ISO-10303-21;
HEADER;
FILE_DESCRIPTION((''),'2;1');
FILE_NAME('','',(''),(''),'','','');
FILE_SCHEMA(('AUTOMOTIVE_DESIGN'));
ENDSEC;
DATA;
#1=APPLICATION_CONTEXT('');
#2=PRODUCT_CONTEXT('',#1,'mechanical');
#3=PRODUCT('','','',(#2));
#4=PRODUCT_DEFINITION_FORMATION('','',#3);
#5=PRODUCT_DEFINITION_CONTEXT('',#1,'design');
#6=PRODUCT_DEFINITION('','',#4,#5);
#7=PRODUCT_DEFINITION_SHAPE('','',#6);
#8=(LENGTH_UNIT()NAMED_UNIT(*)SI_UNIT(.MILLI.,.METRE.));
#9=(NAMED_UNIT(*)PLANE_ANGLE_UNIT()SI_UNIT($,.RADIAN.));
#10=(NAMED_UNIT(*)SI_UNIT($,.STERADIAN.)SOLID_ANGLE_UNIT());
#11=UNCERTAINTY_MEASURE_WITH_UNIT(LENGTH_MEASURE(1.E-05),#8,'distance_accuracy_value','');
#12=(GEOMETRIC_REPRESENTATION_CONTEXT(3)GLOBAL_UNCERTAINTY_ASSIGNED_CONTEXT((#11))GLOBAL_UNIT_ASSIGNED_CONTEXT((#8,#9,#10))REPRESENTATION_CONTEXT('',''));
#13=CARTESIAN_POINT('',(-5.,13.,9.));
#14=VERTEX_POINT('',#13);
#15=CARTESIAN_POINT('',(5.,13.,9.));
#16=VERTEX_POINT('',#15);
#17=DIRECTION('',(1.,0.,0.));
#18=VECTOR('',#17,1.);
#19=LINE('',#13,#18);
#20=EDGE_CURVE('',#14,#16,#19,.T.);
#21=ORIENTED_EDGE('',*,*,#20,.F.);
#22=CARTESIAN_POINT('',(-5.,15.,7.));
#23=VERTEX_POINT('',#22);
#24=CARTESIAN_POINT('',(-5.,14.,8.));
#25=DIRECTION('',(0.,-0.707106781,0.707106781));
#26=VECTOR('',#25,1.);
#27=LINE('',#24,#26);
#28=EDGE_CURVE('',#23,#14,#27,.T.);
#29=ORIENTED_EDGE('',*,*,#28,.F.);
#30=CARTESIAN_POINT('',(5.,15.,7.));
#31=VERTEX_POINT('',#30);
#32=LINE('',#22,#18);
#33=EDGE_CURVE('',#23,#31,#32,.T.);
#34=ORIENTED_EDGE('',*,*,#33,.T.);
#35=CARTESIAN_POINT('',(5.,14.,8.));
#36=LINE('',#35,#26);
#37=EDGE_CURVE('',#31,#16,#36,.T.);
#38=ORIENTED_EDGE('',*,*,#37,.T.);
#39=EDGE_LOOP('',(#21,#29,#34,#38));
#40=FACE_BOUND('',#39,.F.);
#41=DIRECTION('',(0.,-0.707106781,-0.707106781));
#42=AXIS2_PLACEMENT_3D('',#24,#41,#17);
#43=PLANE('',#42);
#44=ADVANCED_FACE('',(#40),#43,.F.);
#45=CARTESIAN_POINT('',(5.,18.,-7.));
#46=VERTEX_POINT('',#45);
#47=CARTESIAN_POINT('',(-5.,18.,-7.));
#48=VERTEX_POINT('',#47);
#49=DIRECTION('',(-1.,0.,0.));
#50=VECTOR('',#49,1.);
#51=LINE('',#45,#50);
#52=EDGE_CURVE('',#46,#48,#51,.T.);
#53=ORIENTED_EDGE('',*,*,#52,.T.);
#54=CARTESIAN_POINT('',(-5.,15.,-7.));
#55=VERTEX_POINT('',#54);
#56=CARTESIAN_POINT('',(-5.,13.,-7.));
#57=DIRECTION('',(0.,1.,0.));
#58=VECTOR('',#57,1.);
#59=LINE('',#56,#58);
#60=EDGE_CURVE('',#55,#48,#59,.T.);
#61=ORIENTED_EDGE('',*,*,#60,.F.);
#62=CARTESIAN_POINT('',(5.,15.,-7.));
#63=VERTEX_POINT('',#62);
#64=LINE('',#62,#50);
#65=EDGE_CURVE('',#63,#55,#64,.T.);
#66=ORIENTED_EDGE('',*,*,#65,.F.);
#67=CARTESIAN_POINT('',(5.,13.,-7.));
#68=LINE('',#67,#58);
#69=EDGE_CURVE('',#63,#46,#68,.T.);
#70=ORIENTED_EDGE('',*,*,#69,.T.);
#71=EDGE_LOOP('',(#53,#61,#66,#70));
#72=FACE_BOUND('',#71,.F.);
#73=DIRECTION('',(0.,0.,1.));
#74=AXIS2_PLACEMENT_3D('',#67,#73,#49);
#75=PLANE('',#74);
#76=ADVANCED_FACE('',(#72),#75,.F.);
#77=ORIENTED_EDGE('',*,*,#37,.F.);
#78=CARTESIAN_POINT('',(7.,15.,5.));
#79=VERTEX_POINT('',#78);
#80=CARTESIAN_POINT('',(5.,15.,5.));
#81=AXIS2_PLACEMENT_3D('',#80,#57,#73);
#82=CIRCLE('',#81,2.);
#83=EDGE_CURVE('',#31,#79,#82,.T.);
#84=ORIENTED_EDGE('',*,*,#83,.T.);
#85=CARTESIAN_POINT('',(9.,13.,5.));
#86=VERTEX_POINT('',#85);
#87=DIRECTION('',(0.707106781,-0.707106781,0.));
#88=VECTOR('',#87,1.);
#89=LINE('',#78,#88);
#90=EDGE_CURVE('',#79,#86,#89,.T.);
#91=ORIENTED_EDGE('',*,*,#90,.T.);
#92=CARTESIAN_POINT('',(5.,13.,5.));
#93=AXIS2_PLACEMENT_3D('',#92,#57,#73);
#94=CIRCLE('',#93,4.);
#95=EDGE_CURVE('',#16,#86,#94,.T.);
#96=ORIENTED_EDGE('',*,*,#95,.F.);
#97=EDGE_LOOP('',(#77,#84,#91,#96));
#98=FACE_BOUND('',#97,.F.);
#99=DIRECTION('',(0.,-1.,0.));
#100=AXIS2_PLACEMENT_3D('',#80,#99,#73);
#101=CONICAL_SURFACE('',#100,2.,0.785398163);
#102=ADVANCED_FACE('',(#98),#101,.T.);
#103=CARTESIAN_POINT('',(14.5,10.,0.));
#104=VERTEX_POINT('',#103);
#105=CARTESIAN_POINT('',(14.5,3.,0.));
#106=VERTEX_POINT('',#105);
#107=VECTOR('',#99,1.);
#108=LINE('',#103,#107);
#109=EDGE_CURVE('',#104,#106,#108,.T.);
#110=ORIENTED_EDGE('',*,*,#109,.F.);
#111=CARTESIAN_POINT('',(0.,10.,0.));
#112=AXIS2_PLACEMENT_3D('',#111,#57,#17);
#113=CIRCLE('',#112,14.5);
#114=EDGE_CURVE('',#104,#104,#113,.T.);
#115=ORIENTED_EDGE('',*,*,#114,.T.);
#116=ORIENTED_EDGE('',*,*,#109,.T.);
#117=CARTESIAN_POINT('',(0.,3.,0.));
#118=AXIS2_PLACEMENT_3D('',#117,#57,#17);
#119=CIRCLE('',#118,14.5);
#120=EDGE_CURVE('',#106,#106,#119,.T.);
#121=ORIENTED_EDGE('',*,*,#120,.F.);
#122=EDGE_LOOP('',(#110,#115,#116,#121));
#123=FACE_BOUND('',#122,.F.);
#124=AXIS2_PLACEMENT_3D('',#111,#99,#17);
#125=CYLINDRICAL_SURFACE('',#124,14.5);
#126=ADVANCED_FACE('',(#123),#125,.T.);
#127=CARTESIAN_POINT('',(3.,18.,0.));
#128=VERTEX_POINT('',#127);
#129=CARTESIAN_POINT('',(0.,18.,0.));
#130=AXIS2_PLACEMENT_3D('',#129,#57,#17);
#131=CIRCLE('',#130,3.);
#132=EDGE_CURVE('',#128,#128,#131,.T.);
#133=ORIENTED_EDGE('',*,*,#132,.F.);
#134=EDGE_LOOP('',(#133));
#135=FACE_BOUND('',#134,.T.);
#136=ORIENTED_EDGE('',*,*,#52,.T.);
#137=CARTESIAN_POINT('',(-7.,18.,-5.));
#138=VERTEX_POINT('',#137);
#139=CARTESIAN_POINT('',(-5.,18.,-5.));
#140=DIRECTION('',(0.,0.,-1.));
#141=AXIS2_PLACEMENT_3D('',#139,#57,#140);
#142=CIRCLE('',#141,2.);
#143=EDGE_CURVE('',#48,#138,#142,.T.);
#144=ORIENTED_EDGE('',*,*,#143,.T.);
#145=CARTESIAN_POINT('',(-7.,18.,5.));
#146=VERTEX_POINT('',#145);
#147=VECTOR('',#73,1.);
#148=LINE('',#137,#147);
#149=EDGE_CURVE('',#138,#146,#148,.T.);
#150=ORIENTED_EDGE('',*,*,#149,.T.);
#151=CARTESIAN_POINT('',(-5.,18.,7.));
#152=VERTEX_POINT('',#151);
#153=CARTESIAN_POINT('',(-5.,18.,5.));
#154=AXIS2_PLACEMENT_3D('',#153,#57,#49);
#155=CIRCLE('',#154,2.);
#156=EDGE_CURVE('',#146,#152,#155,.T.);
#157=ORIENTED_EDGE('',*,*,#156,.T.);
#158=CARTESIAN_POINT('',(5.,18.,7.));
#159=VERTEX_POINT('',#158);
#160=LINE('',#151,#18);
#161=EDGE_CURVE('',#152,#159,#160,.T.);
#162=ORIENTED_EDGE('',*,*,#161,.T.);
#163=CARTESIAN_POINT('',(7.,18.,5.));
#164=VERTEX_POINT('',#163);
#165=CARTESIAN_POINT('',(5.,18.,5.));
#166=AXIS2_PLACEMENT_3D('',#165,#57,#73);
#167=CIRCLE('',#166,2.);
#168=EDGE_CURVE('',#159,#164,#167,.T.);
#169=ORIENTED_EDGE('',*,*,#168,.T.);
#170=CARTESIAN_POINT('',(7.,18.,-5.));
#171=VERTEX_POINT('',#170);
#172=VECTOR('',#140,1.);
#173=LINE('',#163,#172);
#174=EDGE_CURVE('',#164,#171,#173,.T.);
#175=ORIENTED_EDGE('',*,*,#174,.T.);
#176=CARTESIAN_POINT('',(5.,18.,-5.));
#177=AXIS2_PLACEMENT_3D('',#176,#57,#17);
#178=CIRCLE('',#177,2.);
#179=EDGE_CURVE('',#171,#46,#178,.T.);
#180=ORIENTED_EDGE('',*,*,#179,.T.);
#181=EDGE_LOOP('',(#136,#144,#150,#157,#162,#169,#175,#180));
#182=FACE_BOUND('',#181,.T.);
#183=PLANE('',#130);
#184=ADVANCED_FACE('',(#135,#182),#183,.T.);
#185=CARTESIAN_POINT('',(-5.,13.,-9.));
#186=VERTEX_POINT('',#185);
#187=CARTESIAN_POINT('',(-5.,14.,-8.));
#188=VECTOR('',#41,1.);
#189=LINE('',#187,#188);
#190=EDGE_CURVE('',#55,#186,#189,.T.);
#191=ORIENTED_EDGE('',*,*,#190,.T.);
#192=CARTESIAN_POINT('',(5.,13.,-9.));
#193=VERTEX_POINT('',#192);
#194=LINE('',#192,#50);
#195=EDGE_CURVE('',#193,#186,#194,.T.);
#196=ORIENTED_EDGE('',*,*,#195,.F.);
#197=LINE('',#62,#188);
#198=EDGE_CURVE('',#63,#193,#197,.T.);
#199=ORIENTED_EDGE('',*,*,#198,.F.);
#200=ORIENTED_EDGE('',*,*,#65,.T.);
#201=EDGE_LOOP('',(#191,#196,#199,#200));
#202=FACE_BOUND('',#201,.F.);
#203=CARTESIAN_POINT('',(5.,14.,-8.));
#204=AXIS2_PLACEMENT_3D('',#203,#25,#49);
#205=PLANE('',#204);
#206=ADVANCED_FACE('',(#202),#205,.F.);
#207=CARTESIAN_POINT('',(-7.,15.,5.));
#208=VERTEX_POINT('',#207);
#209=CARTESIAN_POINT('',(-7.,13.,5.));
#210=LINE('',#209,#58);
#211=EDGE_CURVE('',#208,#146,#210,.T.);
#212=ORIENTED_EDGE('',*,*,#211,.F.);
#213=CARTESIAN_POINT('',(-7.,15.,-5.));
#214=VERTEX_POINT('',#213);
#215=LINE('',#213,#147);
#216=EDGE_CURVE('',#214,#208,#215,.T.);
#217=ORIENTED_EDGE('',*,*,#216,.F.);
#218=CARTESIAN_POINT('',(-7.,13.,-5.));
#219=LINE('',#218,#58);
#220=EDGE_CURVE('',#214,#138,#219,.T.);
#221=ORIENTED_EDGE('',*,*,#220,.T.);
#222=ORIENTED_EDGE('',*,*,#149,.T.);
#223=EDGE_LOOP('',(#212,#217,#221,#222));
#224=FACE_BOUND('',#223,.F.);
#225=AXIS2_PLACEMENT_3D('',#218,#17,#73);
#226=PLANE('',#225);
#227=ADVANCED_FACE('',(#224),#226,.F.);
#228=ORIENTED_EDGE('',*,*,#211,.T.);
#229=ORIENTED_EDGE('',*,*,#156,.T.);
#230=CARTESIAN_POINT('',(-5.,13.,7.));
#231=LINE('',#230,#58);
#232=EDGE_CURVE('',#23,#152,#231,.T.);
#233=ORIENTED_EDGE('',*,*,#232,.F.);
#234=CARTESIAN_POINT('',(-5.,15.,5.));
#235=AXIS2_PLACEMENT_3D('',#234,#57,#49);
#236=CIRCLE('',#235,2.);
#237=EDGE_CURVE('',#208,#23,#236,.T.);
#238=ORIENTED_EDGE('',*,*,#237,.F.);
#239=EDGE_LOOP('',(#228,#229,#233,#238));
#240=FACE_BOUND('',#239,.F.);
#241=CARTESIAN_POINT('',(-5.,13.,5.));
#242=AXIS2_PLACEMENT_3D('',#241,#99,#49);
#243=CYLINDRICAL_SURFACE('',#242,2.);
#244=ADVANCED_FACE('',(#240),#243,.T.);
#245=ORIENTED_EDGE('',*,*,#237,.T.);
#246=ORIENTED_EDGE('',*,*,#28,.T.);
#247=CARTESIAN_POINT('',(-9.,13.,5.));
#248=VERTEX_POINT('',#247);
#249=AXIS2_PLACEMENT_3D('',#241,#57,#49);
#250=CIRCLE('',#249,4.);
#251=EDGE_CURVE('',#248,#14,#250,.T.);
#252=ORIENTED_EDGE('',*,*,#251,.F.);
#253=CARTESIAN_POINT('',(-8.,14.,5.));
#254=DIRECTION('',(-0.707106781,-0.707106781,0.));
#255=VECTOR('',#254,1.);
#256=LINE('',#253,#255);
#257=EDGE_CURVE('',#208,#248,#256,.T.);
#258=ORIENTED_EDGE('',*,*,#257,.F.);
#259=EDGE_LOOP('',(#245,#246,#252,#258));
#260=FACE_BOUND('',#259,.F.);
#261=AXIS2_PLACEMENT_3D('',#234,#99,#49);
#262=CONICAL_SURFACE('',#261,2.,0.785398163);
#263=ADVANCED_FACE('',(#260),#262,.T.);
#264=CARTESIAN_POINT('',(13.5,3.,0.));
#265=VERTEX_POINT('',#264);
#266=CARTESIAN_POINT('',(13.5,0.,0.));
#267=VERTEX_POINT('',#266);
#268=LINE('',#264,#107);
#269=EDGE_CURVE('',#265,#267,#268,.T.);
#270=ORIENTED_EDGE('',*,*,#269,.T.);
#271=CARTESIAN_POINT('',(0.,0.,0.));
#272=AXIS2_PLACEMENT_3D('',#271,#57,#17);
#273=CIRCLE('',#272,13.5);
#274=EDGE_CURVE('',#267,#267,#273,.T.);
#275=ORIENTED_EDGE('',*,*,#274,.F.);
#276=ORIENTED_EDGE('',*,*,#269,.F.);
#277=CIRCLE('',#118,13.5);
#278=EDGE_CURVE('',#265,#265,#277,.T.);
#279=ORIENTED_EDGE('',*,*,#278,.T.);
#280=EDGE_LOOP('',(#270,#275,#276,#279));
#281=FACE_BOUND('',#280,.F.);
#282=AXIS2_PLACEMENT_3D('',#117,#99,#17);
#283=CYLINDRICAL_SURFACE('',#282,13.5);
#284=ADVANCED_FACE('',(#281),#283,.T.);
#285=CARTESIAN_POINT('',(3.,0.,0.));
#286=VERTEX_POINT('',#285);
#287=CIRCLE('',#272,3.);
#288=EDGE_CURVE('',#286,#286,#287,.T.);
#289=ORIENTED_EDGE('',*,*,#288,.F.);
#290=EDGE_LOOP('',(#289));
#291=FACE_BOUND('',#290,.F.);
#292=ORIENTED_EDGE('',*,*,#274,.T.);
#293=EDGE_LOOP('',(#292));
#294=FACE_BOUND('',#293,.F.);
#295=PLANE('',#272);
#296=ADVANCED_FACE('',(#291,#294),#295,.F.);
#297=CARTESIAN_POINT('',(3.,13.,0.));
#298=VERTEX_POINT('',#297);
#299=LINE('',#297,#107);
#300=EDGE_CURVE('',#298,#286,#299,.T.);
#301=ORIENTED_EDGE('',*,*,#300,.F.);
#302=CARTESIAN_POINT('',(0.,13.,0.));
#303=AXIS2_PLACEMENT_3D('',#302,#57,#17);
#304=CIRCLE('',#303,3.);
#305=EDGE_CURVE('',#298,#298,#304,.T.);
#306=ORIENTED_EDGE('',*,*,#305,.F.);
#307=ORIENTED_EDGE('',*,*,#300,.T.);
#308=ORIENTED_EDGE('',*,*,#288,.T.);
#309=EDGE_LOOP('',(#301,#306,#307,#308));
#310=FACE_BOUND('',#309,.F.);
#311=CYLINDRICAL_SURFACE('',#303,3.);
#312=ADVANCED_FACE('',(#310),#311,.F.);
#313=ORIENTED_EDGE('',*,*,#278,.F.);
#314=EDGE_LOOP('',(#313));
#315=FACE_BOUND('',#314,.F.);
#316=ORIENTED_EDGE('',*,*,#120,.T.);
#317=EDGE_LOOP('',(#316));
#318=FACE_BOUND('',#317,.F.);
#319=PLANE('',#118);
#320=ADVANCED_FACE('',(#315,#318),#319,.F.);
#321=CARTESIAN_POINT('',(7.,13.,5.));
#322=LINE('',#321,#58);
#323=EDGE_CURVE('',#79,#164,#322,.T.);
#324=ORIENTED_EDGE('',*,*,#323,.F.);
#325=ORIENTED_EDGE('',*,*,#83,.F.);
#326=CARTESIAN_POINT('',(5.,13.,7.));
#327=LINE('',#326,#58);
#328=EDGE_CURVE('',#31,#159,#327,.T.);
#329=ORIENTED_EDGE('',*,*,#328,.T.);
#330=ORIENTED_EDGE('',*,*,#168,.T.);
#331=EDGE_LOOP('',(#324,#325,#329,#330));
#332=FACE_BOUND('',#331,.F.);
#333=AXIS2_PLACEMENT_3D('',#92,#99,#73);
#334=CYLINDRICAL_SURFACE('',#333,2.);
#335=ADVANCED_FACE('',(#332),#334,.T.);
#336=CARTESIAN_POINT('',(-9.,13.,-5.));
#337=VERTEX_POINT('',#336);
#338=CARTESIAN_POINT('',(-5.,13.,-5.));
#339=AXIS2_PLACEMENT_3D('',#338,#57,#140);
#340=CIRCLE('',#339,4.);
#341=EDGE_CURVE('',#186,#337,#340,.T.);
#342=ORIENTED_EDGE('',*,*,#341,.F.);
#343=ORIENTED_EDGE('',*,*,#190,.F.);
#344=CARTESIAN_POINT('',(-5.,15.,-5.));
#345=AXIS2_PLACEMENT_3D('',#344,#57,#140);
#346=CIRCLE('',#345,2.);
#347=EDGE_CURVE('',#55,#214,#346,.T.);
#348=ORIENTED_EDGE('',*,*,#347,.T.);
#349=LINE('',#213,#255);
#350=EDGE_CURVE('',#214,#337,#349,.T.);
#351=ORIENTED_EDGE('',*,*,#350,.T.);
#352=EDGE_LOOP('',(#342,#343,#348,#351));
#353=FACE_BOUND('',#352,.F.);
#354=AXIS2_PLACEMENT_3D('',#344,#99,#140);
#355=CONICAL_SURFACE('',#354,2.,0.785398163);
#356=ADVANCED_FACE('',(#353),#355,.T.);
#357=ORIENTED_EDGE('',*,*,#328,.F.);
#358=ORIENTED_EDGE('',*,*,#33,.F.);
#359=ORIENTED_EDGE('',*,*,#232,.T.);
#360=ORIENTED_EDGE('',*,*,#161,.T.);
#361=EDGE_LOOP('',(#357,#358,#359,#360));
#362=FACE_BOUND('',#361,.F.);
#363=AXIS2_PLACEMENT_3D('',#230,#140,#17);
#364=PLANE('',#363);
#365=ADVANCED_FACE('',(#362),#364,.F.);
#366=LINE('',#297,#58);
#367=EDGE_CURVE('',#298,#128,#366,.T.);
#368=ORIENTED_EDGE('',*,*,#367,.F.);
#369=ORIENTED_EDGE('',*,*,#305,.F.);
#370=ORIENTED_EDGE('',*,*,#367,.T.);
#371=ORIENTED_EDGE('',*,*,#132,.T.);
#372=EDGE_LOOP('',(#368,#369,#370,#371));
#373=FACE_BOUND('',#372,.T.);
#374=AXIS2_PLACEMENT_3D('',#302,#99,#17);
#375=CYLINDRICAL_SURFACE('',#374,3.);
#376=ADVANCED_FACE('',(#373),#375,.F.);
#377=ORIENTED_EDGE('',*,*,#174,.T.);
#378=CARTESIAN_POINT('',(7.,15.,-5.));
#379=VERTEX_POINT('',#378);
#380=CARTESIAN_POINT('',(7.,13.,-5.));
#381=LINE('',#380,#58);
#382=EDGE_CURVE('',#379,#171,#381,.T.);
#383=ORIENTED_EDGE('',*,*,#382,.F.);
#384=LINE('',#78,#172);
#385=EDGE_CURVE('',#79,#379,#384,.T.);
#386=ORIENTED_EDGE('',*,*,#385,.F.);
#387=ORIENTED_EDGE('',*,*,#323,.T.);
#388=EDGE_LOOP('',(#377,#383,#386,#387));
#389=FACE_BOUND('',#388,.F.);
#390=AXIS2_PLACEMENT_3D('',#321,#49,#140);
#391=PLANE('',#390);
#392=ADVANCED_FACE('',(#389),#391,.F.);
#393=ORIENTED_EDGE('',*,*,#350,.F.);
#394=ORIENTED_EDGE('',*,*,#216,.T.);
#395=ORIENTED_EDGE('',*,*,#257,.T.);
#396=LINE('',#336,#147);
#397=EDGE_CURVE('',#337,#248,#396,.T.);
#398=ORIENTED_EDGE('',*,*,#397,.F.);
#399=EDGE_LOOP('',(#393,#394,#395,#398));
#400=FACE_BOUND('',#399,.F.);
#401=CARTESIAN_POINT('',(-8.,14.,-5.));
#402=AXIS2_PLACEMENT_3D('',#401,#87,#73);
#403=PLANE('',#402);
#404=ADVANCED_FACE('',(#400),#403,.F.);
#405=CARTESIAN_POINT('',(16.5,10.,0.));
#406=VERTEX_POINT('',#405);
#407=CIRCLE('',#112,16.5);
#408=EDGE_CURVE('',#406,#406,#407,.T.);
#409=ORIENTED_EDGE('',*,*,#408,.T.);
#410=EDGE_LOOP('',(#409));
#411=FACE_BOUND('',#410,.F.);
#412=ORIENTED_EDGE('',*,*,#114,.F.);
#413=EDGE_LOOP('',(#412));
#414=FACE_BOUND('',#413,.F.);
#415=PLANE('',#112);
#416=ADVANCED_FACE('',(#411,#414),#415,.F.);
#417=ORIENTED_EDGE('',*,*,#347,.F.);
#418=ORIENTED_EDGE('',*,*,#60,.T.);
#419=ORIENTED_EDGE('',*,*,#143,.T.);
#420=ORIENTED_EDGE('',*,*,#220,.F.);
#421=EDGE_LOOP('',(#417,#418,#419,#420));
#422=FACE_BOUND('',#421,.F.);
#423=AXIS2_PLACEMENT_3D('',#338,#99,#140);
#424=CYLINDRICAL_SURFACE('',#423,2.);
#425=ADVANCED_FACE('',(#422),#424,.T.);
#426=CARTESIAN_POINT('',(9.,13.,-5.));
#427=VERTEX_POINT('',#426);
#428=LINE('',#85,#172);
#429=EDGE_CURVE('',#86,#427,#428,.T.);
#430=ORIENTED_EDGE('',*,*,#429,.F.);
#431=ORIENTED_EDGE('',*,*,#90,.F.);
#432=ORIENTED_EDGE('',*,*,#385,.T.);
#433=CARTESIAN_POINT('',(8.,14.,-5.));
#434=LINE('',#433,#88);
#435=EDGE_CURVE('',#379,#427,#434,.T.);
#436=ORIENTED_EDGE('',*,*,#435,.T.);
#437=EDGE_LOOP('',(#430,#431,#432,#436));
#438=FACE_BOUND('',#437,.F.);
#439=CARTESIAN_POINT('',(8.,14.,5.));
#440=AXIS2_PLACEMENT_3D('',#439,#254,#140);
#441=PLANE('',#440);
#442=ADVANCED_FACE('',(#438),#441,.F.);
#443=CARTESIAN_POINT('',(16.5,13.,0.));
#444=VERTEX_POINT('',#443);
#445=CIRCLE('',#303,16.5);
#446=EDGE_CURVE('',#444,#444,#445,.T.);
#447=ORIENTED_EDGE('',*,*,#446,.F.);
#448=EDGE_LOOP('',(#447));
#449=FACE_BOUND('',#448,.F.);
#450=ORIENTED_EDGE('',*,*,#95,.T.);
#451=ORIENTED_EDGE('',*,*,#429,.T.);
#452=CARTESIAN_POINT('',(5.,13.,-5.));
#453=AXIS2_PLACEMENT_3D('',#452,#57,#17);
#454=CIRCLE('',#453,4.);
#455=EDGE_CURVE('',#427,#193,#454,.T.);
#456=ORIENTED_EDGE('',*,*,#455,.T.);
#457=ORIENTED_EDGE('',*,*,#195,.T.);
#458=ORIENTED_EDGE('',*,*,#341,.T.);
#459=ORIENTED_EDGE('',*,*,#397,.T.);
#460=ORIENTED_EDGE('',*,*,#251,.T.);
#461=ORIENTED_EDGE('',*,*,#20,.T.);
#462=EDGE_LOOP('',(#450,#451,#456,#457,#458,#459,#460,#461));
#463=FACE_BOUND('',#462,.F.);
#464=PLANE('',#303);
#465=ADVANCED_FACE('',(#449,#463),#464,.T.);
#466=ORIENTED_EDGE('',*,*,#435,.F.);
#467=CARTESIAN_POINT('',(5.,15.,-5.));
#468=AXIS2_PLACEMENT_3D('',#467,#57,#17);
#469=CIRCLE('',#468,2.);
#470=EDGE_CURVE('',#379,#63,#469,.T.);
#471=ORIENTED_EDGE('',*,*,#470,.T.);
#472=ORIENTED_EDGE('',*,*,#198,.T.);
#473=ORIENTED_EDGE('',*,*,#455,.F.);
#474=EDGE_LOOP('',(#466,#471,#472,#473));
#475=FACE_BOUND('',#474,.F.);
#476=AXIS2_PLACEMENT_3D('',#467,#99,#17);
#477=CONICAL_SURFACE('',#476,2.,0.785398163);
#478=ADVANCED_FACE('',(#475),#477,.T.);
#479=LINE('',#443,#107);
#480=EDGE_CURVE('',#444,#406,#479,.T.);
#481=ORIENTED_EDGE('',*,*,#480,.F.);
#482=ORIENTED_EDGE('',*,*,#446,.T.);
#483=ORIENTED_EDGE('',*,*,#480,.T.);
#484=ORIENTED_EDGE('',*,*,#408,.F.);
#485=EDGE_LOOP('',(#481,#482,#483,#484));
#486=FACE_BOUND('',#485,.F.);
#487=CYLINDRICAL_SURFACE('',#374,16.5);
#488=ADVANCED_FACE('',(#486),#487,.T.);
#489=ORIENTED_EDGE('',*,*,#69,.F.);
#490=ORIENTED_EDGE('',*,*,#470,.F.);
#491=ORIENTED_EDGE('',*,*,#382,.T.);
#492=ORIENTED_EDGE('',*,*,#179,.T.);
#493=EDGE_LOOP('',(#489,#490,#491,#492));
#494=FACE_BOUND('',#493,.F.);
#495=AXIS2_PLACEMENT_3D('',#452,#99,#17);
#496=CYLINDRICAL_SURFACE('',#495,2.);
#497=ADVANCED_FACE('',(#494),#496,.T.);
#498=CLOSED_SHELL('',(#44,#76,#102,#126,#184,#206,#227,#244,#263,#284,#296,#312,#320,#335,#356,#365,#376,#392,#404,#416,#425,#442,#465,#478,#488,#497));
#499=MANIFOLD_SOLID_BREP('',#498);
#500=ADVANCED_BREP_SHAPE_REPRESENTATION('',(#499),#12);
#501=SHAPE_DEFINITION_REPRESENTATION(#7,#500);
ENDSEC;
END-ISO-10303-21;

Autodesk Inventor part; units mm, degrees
ref_plane "YZ Plane" through (0, 0, 0) normal (1, 0, 0) x (0, 1, 0)
ref_plane "XZ Plane" through (0, 0, 0) normal (0, 1, 0) x (-1, 0, 0)
ref_plane "XY Plane" through (0, 0, 0) normal (0, 0, 1) x (1, 0, 0)
sketch "Эскиз1" plane through (0, 0, 0) normal (0, 0, 1) x (1, 0, 0)
  line L0 (0, 0) -> (0, 13)
  line L1 (0, 13) -> (16.5, 13)
  line L2 (16.5, 13) -> (16.5, 10)
  line L3 (16.5, 10) -> (14.5, 10)
  line L4 (14.5, 10) -> (14.5, 3)
  line L5 (14.5, 3) -> (13.5, 3)
  line L6 (13.5, 3) -> (13.5, 0)
  line L7 (13.5, 0) -> (0, 0)
  dimension "d0" = 13
  dimension "d1" = 16.5
  dimension "d2" = 3
  dimension "d3" = 2
  dimension "d4" = 7
  dimension "d5" = 1
revolve "Вращение1" add sketch "Эскиз1" angle 360 about axis through (0, 0, 0) along (0, 1, 0)
sketch "Эскиз2" plane through (0, 13, 0) normal (0, 1, 0) x (1, 0, 0)
  circle A0 centre (0, 0) radius 3
  line L0 (-5, -7) -> (5, -7)
  line L1 (7, -5) -> (7, 5)
  line L2 (5, 7) -> (-5, 7)
  line L3 (-7, 5) -> (-7, -5)
  line L4 (-7, -7) -> (7, 7) construction
  line L5 (7, -7) -> (-7, 7) construction
  arc A1 (-7, -5) -> (-5, -7) centre (-5, -5) ccw
  arc A2 (5, -7) -> (7, -5) centre (5, -5) ccw
  arc A3 (7, 5) -> (5, 7) centre (5, 5) ccw
  arc A4 (-5, 7) -> (-7, 5) centre (-5, 5) ccw
  dimension "d7" = 6
  dimension "d8" = 14
  dimension "d9" = 14
  dimension "d10" = 2
extrude "Выдавливание1" cut sketch "Эскиз2" against normal blind 24 contours A0
extrude "Выдавливание2" add sketch "Эскиз2" along normal blind 5
chamfer "Фаска1" distance 2 angle 45 8 edges at (0, 13, 7) (-6.4142, 13, 6.4142) (-7, 13, 0) (-6.4142, 13, -6.4142) (0, 13, -7) (6.4142, 13, -6.4142) (7, 13, 0) (6.4142, 13, 6.4142)
thread "Резьба1" size "M6x1" class "6H" standard "ANSI Metric M Profile" full length
properties part number "Top_contact" material "Сталь нержавеющая AISI 202"
